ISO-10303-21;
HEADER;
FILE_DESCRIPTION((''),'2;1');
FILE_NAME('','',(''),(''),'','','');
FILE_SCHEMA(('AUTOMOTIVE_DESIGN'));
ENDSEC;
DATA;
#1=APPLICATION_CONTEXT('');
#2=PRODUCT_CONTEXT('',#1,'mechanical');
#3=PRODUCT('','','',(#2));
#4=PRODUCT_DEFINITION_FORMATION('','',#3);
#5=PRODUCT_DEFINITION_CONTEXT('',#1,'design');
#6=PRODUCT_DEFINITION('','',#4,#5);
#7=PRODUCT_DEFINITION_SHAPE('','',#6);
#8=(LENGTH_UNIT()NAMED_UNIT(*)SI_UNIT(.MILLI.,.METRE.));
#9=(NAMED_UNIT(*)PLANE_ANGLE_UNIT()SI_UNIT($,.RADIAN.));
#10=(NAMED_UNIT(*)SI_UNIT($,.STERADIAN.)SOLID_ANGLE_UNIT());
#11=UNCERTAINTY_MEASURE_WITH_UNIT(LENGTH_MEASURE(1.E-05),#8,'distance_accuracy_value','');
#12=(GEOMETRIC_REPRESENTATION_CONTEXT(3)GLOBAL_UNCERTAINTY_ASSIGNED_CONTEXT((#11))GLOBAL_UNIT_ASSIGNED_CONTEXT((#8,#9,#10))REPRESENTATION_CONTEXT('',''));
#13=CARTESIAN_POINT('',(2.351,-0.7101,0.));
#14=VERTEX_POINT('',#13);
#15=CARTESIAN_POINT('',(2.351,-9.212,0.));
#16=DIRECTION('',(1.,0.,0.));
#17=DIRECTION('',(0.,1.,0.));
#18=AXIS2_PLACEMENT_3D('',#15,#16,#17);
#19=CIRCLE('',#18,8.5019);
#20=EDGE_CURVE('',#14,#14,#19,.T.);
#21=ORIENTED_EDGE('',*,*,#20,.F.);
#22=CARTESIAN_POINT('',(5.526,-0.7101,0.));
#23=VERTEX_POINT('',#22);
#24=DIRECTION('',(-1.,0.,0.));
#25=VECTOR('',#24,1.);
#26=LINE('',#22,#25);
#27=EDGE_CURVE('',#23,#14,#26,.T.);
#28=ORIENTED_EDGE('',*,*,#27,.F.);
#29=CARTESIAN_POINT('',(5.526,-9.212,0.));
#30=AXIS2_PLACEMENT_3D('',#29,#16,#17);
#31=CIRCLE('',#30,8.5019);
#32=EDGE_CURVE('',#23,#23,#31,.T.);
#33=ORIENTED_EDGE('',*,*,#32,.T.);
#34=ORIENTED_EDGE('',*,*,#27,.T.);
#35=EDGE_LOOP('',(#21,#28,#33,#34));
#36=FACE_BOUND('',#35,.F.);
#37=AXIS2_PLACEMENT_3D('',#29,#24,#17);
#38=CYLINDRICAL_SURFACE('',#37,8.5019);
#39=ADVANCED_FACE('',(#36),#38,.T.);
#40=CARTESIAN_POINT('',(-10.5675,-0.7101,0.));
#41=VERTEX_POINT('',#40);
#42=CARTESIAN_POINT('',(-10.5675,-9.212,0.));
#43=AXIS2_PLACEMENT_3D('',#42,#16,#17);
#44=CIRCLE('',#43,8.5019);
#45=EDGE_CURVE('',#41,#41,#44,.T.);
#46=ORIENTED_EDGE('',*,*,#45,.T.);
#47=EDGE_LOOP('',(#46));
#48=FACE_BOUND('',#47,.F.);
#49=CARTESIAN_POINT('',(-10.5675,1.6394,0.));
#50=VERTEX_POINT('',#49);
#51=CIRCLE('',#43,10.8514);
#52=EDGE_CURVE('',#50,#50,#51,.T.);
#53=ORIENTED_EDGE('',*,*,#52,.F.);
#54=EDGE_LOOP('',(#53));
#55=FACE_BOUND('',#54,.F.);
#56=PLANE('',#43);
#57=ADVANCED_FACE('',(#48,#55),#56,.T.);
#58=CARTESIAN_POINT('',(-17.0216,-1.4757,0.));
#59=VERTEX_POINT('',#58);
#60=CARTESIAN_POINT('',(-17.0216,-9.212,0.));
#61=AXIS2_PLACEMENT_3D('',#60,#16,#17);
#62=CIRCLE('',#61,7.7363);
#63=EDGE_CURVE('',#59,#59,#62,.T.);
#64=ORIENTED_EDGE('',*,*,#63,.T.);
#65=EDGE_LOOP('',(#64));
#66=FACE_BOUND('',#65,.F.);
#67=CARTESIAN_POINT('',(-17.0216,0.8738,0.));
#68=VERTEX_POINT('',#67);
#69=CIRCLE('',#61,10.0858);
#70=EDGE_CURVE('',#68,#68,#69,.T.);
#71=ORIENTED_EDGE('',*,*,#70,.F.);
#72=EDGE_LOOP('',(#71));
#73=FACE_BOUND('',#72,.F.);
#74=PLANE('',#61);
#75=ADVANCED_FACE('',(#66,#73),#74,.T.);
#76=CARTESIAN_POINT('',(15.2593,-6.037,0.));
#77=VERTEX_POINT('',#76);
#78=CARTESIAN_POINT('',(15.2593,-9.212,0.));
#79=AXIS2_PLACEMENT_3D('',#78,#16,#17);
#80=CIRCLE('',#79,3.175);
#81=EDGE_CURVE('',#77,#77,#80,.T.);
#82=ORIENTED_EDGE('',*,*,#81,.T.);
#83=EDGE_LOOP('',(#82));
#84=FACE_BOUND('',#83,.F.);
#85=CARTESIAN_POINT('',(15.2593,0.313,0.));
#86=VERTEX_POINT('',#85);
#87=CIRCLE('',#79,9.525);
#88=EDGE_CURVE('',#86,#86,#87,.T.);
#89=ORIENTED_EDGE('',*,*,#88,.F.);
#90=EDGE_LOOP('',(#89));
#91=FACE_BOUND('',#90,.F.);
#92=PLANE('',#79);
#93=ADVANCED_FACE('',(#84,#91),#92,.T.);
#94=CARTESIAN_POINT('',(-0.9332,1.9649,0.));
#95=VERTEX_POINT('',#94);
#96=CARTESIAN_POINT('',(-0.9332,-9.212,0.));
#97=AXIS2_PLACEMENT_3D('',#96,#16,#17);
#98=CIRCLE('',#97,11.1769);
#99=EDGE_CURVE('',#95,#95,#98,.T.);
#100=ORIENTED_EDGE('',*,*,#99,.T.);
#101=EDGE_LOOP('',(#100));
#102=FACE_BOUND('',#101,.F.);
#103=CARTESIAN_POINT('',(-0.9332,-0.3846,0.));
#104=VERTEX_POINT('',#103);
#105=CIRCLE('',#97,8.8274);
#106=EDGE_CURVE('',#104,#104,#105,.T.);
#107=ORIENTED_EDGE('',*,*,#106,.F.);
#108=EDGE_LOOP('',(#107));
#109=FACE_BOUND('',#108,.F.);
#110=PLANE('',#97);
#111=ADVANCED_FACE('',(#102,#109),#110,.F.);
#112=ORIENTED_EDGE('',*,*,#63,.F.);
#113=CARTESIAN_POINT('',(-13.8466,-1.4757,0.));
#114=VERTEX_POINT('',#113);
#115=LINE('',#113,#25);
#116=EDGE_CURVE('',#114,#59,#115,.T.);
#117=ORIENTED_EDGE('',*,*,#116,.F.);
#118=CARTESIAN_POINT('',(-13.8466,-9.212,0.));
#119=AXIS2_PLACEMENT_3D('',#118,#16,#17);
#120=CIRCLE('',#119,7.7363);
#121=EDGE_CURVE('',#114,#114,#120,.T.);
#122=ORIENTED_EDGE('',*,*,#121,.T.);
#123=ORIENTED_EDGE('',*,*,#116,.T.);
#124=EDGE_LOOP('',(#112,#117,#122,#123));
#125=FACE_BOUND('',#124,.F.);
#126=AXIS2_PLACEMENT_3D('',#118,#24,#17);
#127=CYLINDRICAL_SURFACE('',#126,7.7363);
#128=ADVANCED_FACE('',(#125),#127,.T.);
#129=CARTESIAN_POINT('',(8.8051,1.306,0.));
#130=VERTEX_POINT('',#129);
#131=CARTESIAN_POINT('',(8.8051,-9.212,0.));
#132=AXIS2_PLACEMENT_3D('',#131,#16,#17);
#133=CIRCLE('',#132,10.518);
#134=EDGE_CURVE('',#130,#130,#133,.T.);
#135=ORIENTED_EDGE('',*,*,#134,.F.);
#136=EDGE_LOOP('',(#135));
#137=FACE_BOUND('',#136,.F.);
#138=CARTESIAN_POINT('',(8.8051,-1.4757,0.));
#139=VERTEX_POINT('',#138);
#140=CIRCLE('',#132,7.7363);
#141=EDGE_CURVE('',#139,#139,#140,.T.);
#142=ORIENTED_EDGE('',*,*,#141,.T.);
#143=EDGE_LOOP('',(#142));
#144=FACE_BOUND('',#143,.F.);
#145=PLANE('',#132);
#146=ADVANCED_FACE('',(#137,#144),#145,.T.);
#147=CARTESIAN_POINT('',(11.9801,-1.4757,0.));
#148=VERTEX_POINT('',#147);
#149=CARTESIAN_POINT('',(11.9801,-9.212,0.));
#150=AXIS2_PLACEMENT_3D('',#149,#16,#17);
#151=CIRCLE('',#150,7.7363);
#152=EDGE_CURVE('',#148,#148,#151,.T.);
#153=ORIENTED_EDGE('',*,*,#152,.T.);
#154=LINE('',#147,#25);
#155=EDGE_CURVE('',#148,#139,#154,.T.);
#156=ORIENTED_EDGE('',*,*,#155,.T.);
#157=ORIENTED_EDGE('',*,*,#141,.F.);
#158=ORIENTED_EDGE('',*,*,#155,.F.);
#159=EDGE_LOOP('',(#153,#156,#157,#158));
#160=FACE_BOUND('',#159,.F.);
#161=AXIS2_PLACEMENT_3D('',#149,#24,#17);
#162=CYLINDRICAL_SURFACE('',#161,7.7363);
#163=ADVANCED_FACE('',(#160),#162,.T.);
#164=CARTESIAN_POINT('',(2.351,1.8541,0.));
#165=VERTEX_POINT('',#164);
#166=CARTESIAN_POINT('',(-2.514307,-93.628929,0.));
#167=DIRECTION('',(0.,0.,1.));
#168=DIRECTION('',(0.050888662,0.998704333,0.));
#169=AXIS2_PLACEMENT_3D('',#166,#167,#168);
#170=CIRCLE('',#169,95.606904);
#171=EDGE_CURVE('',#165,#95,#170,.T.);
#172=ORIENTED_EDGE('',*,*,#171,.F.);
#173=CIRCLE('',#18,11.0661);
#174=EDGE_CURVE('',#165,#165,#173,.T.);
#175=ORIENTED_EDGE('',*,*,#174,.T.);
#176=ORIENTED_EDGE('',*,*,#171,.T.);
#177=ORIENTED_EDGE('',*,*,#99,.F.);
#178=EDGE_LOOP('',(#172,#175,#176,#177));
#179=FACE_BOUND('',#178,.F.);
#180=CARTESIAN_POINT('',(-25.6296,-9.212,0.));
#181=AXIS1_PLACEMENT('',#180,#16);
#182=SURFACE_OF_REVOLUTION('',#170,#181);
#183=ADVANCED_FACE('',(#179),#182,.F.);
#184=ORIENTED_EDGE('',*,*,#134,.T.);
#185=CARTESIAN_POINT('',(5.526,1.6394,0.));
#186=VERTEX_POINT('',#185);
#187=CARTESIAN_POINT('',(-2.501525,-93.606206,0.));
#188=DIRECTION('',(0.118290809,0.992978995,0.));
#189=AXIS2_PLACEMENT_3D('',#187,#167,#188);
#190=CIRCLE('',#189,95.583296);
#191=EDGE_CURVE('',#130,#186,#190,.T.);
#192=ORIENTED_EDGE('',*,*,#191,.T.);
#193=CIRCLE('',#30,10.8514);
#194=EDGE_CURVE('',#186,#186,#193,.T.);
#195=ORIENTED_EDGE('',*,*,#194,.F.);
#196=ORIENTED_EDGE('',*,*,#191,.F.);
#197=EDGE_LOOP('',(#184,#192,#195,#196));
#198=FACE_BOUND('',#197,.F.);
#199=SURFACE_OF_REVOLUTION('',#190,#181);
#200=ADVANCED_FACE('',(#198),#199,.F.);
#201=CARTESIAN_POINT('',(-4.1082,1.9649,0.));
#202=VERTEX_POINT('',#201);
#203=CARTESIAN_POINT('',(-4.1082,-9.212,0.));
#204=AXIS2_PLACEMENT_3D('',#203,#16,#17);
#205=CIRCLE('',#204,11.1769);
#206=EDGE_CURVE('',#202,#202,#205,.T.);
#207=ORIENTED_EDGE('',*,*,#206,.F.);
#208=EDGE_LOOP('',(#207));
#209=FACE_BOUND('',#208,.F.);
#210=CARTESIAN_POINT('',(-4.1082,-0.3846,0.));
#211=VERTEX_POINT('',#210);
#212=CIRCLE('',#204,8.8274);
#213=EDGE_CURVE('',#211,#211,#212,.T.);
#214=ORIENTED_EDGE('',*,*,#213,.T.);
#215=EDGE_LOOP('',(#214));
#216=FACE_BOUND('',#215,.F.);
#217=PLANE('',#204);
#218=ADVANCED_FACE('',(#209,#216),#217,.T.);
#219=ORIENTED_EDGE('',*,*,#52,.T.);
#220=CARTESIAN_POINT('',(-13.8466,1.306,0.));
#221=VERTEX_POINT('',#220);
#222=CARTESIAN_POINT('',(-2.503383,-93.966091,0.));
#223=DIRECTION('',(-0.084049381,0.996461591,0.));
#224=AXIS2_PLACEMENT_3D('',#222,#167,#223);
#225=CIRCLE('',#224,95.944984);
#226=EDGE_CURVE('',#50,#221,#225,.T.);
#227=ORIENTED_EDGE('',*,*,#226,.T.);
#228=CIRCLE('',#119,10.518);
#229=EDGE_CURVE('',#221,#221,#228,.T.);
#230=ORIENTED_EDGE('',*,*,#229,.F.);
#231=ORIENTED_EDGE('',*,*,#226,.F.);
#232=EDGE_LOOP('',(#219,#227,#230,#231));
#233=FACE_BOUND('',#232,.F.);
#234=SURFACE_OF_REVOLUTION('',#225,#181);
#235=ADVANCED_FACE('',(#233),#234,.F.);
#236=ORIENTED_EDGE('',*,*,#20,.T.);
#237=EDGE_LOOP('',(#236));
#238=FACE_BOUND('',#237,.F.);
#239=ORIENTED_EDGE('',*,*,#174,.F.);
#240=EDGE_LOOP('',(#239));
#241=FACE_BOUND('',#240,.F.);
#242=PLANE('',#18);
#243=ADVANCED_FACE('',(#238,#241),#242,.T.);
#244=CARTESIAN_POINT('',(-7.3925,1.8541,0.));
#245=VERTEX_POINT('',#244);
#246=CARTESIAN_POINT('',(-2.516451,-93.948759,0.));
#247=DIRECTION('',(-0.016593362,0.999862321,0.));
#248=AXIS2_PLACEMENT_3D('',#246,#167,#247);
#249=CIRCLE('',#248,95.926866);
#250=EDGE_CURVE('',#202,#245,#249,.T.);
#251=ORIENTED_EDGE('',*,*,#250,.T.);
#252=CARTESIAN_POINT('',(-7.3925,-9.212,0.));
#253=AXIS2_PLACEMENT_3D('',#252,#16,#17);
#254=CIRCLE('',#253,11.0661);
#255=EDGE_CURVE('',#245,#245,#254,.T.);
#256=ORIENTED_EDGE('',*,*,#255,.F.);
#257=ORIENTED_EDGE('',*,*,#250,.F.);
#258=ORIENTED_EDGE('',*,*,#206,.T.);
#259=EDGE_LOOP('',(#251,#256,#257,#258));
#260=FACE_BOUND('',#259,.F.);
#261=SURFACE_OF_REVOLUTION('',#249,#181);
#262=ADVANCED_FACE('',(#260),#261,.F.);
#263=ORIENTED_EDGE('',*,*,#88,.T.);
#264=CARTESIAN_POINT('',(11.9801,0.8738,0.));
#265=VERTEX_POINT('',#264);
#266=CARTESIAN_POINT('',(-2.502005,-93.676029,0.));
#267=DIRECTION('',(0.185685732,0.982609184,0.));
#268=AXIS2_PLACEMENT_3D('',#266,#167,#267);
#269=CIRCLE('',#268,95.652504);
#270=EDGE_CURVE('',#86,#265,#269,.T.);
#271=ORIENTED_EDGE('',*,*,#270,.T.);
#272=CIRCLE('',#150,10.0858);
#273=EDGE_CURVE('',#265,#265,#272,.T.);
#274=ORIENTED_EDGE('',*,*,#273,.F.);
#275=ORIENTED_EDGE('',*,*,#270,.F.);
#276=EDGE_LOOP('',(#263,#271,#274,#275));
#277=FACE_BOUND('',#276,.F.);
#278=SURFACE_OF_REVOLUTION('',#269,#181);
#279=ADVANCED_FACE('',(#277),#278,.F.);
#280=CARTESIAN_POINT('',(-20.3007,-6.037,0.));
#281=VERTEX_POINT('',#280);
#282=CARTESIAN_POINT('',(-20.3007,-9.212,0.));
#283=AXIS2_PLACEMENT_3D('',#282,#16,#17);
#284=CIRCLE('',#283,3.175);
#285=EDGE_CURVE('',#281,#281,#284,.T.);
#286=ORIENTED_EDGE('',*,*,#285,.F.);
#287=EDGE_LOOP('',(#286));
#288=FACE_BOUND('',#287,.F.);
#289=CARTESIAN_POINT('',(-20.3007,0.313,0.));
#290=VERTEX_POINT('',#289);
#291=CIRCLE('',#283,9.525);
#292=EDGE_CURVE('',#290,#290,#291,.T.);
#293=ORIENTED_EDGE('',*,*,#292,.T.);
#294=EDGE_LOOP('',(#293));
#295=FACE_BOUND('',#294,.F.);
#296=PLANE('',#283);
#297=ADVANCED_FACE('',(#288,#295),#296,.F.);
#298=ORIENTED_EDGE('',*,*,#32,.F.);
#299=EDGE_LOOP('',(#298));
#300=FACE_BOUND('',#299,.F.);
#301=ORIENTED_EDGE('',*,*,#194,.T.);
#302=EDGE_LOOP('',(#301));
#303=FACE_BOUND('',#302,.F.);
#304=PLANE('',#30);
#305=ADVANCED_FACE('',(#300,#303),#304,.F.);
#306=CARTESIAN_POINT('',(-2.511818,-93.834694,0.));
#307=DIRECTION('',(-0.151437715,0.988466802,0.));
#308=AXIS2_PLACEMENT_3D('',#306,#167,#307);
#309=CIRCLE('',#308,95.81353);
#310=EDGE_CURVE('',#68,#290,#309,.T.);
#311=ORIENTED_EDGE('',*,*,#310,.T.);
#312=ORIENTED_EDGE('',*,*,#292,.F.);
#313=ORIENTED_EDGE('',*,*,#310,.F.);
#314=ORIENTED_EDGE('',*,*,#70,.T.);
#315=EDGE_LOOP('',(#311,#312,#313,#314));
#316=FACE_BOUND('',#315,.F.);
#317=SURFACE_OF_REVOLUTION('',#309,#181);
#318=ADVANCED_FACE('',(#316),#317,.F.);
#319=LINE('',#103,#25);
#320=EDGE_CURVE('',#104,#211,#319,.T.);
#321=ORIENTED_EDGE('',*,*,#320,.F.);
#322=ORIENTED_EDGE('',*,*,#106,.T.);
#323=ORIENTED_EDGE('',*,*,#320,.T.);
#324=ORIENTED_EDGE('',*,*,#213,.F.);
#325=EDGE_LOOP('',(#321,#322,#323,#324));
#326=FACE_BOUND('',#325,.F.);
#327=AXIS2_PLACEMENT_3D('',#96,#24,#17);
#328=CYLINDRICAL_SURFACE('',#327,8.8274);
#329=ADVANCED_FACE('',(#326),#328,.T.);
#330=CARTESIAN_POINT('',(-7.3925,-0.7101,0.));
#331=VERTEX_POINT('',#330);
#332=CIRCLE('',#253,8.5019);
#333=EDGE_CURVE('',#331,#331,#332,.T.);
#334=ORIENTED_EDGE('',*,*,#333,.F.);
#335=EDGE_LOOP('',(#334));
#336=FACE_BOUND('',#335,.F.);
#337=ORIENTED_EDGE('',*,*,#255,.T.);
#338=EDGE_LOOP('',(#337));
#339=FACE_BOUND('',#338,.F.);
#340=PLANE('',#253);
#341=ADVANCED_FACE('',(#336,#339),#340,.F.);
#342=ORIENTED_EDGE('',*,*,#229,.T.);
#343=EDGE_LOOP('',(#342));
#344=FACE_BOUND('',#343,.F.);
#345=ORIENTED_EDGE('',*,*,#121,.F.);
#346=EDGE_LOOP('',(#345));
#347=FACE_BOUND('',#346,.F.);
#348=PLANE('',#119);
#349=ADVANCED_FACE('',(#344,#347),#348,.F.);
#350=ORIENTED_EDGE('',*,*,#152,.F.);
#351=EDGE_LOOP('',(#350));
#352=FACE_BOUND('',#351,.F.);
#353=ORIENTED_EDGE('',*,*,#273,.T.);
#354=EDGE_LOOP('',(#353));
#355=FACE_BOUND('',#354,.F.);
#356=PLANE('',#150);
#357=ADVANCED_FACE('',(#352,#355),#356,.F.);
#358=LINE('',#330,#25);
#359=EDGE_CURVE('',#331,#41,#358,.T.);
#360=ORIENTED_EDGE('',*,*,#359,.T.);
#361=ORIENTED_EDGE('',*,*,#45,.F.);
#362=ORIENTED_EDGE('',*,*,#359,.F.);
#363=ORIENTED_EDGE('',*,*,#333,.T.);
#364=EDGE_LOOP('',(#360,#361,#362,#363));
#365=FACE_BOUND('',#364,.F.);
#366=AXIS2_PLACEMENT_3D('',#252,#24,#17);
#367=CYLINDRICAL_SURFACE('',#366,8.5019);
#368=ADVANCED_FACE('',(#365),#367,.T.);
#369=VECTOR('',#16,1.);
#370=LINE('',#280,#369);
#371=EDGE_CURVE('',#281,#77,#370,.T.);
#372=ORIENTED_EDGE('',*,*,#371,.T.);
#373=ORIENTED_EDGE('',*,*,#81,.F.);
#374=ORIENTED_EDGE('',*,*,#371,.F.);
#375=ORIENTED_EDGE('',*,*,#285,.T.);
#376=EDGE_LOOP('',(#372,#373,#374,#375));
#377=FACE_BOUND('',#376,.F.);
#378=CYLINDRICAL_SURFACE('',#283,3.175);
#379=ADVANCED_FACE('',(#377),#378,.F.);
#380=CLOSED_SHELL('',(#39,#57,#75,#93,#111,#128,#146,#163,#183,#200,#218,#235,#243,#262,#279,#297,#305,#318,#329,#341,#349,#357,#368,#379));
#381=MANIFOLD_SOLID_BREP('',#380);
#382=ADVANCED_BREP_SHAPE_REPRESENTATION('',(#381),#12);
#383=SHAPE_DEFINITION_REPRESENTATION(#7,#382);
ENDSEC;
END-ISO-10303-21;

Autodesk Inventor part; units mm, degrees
ref_plane "YZ Plane" through (0, 0, 0) normal (1, 0, 0) x (0, 1, 0)
ref_plane "XZ Plane" through (0, 0, 0) normal (0, 1, 0) x (-1, 0, 0)
ref_plane "XY Plane" through (0, 0, 0) normal (0, 0, 1) x (1, 0, 0)
sketch "Sketch1" plane through (0, 0, 0) normal (0, 0, 1) x (1, 0, 0)
  line L0 (-20.3007, 0.313) -> (-20.3007, -6.037)
  line L1 (-20.3007, -6.037) -> (15.2593, -6.037)
  line L2 (15.2593, -6.037) -> (15.2593, 0.313)
  line L3 (-25.6296, -9.212) -> (23.1111, -9.212)
  line L4 (-0.9332, 1.9649) -> (-0.9332, -0.3846)
  line L5 (-0.9332, -0.3846) -> (-4.1082, -0.3846)
  line L6 (-4.1082, -0.3846) -> (-4.1082, 1.9649)
  line L7 (-13.8466, 1.306) -> (-13.8466, -1.4757)
  line L8 (-13.8466, -1.4757) -> (-17.0216, -1.4757)
  line L9 (-17.0216, -1.4757) -> (-17.0216, 0.8738)
  line L10 (11.9801, 0.8738) -> (11.9801, -1.4757)
  line L11 (11.9801, -1.4757) -> (8.8051, -1.4757)
  line L12 (8.8051, -1.4757) -> (8.8051, 1.306)
  line L13 (-7.3925, 1.8541) -> (-7.3925, -0.7101)
  line L14 (-7.3925, -0.7101) -> (-10.5675, -0.7101)
  line L15 (-10.5675, -0.7101) -> (-10.5675, 1.6394)
  line L16 (5.526, 1.6394) -> (5.526, -0.7101)
  line L17 (5.526, -0.7101) -> (2.351, -0.7101)
  line L18 (2.351, -0.7101) -> (2.351, 1.8541)
  arc A0 (-17.0216, 0.8738) -> (-20.3007, 0.313) centre (-2.5207, -93.7799) ccw
  arc A1 (-10.5675, 1.6394) -> (-13.8466, 1.306) centre (-2.5207, -93.7799) ccw
  arc A2 (-4.1082, 1.9649) -> (-7.3925, 1.8541) centre (-2.5207, -93.7799) ccw
  arc A3 (2.351, 1.8541) -> (-0.9332, 1.9649) centre (-2.5207, -93.7799) ccw
  arc A4 (15.2593, 0.313) -> (11.9801, 0.8738) centre (-2.5207, -93.7799) ccw
  arc A5 (8.8051, 1.306) -> (5.526, 1.6394) centre (-2.5207, -93.7799) ccw
  dimension "d0" = 35.56
  dimension "d1" = 6.35
  dimension "d2" = 6.35
  dimension "d4" = 3.175
  dimension "d7" = 3.175
  dimension "d10" = 3.2791
  dimension "d11" = 3.175
  dimension "d13" = 3.2791
  dimension "d16" = 3.2791
  dimension "d18" = 3.2791
  dimension "d19" = 16.1925
  dimension "d20" = 3.175
  dimension "d21" = 3.175
  dimension "d22" = 3.175
  dimension "d23" = 2.3495
  dimension "d24" = 2.3495
  dimension "d25" = 2.3495
  dimension "d26" = 2.3495
  dimension "d27" = 2.3495
  dimension "d28" = 7.7363
  dimension "d29" = 8.502
  dimension "d30" = 8.8275
revolve "Revolution1" add sketch "Sketch1" angle 360 about axis through (-25.6296, -9.212, 0) along (1, 0, 0)
properties part number "Roller Ridges 1764" material "PVC-Piping"
